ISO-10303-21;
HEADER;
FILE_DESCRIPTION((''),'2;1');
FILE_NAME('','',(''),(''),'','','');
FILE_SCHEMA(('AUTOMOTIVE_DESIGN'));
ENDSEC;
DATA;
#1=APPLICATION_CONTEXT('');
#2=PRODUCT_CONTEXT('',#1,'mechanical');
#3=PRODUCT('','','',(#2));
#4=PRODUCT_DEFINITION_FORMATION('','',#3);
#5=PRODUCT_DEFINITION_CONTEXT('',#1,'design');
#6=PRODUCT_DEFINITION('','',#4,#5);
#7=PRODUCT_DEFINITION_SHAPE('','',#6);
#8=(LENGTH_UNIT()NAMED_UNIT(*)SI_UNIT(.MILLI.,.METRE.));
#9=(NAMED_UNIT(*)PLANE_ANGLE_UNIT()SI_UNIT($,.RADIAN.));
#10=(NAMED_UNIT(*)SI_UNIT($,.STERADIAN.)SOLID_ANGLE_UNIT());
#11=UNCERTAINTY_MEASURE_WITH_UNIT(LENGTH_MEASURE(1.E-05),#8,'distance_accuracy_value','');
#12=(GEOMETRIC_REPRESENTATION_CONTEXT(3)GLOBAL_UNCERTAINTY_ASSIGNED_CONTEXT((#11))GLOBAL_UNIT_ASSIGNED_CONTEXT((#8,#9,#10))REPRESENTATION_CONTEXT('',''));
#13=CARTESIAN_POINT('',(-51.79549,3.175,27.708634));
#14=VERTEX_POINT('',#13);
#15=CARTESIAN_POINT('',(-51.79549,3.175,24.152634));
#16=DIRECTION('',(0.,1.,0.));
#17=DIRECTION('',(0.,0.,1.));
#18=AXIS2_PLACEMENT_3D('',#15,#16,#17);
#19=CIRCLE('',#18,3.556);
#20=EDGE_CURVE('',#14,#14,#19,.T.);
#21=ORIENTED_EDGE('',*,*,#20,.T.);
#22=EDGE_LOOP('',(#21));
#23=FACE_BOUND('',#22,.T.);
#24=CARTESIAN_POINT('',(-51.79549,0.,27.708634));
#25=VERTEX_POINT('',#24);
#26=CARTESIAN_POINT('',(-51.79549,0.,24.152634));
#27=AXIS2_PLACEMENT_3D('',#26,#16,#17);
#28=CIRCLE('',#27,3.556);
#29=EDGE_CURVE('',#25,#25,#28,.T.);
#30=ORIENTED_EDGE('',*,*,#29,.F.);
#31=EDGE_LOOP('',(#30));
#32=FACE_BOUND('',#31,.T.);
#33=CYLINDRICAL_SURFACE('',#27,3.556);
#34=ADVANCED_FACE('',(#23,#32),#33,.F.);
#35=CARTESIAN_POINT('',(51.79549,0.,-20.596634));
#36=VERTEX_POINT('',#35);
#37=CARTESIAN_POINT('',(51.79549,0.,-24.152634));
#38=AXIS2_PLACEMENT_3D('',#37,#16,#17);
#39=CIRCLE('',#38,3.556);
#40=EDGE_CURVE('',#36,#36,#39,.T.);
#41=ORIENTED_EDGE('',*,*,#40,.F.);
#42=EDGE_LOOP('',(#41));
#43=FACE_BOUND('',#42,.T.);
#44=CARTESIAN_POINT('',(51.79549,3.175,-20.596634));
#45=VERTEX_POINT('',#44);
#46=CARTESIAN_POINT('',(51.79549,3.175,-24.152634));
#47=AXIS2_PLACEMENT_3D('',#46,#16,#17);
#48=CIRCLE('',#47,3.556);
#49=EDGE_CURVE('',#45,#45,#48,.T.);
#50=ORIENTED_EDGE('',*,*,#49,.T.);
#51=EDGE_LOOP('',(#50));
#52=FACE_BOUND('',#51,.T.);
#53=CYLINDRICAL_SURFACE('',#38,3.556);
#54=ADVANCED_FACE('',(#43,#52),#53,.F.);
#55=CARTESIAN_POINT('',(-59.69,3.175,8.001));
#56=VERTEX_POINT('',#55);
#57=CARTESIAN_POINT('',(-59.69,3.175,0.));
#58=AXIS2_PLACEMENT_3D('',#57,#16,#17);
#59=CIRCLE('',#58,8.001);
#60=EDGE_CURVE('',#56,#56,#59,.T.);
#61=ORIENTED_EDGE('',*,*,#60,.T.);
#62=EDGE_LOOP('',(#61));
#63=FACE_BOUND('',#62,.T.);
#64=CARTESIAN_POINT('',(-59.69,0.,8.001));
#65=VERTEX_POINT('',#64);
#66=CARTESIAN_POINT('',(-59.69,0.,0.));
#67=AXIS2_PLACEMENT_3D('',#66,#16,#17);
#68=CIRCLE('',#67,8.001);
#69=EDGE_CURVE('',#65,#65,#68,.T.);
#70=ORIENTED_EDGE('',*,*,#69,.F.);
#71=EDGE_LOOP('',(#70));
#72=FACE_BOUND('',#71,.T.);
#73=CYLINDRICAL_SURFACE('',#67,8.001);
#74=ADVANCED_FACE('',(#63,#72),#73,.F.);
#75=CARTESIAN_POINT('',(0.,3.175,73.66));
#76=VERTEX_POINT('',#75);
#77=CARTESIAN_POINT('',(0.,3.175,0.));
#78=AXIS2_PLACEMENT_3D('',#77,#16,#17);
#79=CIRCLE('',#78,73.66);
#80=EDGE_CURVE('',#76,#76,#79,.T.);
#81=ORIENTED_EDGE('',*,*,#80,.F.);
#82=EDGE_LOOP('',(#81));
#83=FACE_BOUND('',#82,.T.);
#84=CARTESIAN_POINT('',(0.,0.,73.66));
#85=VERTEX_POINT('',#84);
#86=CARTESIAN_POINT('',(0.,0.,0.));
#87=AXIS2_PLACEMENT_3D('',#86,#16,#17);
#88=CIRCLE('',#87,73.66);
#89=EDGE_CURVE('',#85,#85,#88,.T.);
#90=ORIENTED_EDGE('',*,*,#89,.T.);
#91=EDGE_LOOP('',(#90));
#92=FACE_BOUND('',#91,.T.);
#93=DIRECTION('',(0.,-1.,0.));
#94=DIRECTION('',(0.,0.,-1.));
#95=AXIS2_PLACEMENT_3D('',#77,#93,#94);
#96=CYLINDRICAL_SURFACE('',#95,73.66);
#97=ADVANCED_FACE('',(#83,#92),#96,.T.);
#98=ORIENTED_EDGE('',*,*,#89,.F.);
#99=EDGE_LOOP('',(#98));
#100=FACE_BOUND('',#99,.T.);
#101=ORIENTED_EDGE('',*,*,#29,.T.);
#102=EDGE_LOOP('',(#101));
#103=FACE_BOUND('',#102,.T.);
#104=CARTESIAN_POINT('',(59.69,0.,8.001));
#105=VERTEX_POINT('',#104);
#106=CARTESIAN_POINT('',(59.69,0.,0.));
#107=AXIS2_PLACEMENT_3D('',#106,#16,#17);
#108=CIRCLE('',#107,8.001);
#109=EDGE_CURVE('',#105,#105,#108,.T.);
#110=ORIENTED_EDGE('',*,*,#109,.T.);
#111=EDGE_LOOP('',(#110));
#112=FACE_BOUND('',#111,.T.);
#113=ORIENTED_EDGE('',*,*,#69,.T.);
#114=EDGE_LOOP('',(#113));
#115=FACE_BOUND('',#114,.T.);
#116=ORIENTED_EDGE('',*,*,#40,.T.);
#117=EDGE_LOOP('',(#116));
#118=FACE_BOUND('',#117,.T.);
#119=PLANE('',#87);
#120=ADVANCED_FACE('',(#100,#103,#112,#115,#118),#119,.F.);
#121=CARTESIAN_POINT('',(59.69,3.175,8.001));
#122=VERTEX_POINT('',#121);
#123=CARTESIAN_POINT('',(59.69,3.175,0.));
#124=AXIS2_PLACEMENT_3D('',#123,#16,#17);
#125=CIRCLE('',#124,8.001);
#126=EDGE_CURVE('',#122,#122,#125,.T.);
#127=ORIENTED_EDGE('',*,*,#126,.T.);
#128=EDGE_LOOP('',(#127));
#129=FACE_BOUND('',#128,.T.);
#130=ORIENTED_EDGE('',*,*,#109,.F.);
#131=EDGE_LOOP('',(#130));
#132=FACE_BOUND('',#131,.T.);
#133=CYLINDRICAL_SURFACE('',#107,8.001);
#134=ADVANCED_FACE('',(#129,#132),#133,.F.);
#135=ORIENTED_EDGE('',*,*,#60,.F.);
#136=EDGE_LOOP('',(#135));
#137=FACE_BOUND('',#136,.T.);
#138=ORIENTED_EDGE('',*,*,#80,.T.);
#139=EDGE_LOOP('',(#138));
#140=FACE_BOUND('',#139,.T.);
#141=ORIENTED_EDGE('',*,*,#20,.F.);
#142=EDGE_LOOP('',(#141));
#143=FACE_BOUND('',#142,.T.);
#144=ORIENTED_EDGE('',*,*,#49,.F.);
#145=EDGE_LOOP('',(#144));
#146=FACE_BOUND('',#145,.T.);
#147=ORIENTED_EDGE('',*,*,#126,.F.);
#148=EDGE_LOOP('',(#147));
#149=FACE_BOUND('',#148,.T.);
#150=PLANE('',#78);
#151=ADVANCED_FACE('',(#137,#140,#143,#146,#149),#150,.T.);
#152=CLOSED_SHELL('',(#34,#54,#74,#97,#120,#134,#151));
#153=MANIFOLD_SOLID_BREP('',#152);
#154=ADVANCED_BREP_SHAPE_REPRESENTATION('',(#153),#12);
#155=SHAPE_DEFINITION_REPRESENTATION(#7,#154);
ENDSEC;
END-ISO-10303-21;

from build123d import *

# Parameters (mm, degrees)
SKETCH1_R           = 73.66
BOSS_EXTRUDE1_DEPTH = 3.175
SKETCH2_R           = 8.001
SKETCH2_R_2         = 3.556
CUT_EXTRUDE1_DEPTH  = 3.175


with BuildPart() as part:
    # Sketch1 → Boss-Extrude1 (new body)
    with BuildSketch(Plane(origin=(0, 0, 0), x_dir=(1, 0, 0), z_dir=(0, 1, 0))):
        with Locations(Location((0, 0, 0), (0, 0, 270))):
            Circle(SKETCH1_R)
    extrude(amount=BOSS_EXTRUDE1_DEPTH)

    # Sketch2 → Cut-Extrude1 (cut)
    with BuildSketch(Plane(origin=(0, 3.175, 0), x_dir=(1, 0, 0), z_dir=(0, 1, 0))):
        with Locations(Location((-59.69, 0, 0), (0, 0, 270))):
            Circle(SKETCH2_R)
        with Locations(Location((59.69, 0, 0), (0, 0, 270))):
            Circle(SKETCH2_R)
        with Locations(Location((-51.795490029, -24.152633658, 0), (0, 0, 270))):
            Circle(SKETCH2_R_2)
        with Locations(Location((51.795490029, 24.152633658, 0), (0, 0, 270))):
            Circle(SKETCH2_R_2)
    extrude(amount=-CUT_EXTRUDE1_DEPTH, mode=Mode.SUBTRACT)


solid = part.part
